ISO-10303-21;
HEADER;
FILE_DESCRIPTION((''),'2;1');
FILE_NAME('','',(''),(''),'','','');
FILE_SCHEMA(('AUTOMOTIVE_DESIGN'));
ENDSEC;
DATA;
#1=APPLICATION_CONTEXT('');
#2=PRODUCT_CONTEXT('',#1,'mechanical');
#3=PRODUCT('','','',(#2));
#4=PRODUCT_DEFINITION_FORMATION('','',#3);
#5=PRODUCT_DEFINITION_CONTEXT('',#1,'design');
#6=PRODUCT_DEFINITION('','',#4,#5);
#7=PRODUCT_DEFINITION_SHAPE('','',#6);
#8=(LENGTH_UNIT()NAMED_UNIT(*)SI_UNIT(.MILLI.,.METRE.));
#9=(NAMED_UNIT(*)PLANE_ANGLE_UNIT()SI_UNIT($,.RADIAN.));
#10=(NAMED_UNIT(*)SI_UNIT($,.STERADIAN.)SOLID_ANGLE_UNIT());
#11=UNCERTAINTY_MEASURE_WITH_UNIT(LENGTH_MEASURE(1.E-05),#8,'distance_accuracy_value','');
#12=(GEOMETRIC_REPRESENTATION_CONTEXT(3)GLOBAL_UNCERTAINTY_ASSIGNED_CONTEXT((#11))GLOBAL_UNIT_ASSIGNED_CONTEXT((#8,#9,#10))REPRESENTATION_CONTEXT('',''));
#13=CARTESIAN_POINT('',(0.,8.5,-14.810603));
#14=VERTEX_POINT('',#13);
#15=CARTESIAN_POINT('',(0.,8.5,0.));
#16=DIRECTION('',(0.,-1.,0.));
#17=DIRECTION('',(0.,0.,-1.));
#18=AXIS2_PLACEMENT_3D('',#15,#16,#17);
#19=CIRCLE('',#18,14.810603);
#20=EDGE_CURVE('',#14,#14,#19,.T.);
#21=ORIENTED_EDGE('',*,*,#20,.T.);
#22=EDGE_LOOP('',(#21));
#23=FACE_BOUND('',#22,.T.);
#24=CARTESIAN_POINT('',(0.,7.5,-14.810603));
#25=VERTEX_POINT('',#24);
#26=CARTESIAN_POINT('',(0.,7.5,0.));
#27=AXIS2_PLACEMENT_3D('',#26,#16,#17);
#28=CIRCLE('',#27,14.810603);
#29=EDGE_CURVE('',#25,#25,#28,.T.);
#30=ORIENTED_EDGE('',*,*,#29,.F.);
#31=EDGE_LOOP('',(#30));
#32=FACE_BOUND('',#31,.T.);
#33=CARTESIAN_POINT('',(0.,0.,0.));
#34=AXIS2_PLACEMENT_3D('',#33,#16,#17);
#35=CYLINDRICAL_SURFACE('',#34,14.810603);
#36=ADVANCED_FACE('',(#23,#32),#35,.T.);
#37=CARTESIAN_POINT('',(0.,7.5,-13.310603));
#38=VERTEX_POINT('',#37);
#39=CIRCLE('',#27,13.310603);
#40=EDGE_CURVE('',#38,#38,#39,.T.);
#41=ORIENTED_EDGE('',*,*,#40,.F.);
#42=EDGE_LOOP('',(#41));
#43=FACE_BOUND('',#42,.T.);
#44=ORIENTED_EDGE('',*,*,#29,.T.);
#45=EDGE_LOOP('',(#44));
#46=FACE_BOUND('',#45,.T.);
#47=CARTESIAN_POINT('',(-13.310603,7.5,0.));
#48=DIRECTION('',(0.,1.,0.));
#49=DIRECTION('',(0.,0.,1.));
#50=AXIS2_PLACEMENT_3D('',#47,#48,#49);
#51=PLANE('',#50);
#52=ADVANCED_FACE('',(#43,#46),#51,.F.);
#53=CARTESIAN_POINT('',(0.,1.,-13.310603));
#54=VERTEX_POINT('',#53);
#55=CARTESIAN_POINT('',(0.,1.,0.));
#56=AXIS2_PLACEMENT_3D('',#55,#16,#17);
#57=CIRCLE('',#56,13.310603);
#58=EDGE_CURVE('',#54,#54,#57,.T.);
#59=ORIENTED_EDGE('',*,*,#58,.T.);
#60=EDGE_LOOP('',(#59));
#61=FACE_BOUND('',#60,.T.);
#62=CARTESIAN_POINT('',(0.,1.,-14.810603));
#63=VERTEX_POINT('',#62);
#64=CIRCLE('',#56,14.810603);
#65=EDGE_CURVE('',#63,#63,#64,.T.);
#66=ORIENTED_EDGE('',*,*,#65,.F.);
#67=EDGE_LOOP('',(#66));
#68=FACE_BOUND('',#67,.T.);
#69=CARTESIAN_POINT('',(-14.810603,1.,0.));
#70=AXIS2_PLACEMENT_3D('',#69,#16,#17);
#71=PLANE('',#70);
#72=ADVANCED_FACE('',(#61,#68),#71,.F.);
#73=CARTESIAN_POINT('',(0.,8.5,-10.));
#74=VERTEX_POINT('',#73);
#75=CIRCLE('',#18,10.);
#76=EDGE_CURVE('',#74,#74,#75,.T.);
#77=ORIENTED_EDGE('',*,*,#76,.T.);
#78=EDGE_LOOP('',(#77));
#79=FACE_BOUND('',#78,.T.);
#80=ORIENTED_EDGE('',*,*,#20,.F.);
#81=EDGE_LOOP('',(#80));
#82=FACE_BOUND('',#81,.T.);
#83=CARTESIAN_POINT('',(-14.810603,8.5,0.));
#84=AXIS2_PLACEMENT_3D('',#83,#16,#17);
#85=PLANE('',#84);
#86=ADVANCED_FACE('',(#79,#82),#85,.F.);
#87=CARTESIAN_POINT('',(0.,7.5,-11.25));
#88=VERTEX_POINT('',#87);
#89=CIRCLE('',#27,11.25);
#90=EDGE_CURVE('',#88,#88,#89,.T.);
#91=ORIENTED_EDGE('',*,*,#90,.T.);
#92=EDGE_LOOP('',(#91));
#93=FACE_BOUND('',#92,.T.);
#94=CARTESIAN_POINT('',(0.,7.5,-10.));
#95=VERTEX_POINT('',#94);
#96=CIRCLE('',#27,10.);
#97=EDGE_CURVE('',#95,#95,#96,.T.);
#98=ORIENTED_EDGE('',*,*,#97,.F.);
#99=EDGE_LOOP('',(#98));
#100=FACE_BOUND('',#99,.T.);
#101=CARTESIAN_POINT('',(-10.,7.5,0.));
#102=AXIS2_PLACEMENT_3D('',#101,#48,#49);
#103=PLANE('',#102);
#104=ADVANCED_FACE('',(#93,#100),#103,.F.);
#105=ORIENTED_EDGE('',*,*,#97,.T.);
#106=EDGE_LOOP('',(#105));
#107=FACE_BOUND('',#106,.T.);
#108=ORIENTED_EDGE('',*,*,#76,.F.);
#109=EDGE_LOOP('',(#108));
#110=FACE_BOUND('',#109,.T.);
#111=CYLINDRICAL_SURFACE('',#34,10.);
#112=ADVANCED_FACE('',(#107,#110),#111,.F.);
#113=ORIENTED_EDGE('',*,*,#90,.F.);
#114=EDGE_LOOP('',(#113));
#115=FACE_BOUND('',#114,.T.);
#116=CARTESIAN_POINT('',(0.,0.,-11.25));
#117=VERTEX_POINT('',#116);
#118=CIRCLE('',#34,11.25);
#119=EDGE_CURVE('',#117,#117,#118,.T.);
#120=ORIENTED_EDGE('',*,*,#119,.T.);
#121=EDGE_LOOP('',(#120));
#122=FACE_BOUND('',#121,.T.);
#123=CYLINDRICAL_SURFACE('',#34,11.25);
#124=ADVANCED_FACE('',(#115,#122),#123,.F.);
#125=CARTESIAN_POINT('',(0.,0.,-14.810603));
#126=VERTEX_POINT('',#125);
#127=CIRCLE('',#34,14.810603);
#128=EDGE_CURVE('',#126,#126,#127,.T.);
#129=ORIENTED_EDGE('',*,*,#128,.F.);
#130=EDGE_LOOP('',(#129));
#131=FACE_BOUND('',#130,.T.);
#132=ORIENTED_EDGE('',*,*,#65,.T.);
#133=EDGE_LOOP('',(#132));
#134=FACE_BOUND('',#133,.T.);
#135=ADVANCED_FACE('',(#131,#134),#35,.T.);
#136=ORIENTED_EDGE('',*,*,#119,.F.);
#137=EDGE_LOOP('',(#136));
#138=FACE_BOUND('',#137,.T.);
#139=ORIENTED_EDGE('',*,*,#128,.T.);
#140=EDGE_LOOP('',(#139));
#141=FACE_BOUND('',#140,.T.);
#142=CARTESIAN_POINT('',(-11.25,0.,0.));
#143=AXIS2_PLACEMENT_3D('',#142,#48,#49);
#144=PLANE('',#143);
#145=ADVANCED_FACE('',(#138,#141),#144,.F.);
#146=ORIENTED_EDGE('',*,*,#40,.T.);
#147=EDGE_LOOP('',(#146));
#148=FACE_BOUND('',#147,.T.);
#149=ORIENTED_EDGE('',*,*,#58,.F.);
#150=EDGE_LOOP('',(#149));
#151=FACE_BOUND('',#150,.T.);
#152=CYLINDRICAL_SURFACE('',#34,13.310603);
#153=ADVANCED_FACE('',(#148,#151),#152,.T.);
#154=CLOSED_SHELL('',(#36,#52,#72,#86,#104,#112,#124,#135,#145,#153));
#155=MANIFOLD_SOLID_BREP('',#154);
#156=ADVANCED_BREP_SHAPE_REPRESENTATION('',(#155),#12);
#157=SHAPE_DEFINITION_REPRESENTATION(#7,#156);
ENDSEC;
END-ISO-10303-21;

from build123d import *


with BuildPart() as part:
    # Sketch1 → Revolve1 (revolve)
    with BuildSketch(Plane.XY, mode=Mode.PRIVATE) as revolve1_sk:
        Polygon((-11.25, 0), (-14.810603006, 0), (-14.810603006, 1), (-13.310603006, 1), (-13.310603006, 7.5), (-14.810603006, 7.5), (-14.810603006, 8.5), (-10, 8.5), (-10, 7.5), (-11.25, 7.5), align=None)
    revolve(revolve1_sk.sketch.rotate(Axis((0, 0, 0), (0, 1, 0)), 270), axis=Axis((0, 0, 0), (0, 1, 0)))


solid = part.part
